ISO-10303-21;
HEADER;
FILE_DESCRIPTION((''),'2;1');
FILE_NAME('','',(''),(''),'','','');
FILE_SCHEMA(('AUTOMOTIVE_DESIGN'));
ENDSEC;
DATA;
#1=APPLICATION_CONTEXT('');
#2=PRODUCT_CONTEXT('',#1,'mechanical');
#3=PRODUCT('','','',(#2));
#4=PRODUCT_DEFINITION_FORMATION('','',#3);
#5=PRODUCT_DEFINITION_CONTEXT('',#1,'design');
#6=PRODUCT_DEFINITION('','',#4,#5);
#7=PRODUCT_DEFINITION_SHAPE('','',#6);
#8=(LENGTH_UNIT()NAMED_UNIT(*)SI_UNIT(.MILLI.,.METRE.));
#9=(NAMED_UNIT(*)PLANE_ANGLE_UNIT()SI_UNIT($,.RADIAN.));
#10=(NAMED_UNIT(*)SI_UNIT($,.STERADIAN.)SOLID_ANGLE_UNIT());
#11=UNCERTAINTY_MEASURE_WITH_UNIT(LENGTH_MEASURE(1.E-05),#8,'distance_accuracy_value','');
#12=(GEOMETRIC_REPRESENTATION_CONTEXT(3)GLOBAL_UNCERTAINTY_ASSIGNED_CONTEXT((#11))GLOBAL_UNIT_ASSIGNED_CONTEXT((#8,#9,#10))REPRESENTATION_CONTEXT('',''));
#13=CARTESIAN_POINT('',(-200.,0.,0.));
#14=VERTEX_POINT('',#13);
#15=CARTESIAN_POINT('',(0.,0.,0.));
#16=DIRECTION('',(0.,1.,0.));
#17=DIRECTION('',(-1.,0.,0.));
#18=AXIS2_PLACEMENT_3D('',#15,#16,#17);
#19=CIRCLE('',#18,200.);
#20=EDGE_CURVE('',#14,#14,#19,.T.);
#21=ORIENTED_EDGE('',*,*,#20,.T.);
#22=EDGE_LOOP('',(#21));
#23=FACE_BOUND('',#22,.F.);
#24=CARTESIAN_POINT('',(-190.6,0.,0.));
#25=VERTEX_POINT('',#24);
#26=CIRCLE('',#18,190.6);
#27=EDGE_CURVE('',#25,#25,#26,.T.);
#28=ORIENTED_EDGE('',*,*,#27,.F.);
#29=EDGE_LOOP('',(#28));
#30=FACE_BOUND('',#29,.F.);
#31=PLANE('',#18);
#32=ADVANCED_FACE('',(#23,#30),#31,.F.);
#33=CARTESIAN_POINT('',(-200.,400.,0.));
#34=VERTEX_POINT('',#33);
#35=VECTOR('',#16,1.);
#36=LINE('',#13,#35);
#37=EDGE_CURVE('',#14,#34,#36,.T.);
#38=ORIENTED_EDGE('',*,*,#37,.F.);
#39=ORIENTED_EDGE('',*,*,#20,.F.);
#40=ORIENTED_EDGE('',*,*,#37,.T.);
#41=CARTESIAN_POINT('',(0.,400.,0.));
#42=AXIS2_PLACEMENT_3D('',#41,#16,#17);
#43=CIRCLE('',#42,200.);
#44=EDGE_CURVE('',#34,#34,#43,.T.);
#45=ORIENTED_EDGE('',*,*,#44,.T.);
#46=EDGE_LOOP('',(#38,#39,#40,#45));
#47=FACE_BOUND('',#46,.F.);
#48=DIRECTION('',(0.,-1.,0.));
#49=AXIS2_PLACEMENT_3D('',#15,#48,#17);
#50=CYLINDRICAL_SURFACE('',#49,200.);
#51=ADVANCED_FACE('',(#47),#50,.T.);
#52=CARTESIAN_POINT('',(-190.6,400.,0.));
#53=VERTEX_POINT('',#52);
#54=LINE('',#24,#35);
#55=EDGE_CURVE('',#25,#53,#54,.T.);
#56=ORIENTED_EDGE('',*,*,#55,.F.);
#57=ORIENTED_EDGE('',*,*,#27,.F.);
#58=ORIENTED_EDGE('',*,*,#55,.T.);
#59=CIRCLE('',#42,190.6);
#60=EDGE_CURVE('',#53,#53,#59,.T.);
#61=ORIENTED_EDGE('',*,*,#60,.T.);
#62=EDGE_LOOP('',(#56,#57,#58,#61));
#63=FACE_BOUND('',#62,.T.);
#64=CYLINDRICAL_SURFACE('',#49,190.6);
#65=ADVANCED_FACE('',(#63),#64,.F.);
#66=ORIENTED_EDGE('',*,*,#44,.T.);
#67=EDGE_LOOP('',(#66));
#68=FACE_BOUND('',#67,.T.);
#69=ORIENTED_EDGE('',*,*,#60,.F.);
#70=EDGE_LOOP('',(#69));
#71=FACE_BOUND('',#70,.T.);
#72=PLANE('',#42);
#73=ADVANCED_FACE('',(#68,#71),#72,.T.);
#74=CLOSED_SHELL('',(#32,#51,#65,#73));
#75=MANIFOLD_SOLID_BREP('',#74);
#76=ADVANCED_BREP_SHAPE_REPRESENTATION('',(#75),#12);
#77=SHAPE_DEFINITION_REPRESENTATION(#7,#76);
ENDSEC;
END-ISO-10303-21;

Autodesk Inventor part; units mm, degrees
ref_plane "YZ Plane" through (0, 0, 0) normal (1, 0, 0) x (0, 1, 0)
ref_plane "XZ Plane" through (0, 0, 0) normal (0, 1, 0) x (-1, 0, 0)
ref_plane "XY Plane" through (0, 0, 0) normal (0, 0, 1) x (1, 0, 0)
sketch "Sketch1" plane through (0, 0, 0) normal (0, 1, 0) x (-1, 0, 0)
  circle A0 centre (0, 0) radius 200
  circle A1 centre (0, 0) radius 190.6
  dimension "d0" = 400
  dimension "d1" = 9.4
extrude "Extrusion1" add sketch "Sketch1" along normal blind 400
properties part number "postBaseForms" material "PVC, Unplasticized"
